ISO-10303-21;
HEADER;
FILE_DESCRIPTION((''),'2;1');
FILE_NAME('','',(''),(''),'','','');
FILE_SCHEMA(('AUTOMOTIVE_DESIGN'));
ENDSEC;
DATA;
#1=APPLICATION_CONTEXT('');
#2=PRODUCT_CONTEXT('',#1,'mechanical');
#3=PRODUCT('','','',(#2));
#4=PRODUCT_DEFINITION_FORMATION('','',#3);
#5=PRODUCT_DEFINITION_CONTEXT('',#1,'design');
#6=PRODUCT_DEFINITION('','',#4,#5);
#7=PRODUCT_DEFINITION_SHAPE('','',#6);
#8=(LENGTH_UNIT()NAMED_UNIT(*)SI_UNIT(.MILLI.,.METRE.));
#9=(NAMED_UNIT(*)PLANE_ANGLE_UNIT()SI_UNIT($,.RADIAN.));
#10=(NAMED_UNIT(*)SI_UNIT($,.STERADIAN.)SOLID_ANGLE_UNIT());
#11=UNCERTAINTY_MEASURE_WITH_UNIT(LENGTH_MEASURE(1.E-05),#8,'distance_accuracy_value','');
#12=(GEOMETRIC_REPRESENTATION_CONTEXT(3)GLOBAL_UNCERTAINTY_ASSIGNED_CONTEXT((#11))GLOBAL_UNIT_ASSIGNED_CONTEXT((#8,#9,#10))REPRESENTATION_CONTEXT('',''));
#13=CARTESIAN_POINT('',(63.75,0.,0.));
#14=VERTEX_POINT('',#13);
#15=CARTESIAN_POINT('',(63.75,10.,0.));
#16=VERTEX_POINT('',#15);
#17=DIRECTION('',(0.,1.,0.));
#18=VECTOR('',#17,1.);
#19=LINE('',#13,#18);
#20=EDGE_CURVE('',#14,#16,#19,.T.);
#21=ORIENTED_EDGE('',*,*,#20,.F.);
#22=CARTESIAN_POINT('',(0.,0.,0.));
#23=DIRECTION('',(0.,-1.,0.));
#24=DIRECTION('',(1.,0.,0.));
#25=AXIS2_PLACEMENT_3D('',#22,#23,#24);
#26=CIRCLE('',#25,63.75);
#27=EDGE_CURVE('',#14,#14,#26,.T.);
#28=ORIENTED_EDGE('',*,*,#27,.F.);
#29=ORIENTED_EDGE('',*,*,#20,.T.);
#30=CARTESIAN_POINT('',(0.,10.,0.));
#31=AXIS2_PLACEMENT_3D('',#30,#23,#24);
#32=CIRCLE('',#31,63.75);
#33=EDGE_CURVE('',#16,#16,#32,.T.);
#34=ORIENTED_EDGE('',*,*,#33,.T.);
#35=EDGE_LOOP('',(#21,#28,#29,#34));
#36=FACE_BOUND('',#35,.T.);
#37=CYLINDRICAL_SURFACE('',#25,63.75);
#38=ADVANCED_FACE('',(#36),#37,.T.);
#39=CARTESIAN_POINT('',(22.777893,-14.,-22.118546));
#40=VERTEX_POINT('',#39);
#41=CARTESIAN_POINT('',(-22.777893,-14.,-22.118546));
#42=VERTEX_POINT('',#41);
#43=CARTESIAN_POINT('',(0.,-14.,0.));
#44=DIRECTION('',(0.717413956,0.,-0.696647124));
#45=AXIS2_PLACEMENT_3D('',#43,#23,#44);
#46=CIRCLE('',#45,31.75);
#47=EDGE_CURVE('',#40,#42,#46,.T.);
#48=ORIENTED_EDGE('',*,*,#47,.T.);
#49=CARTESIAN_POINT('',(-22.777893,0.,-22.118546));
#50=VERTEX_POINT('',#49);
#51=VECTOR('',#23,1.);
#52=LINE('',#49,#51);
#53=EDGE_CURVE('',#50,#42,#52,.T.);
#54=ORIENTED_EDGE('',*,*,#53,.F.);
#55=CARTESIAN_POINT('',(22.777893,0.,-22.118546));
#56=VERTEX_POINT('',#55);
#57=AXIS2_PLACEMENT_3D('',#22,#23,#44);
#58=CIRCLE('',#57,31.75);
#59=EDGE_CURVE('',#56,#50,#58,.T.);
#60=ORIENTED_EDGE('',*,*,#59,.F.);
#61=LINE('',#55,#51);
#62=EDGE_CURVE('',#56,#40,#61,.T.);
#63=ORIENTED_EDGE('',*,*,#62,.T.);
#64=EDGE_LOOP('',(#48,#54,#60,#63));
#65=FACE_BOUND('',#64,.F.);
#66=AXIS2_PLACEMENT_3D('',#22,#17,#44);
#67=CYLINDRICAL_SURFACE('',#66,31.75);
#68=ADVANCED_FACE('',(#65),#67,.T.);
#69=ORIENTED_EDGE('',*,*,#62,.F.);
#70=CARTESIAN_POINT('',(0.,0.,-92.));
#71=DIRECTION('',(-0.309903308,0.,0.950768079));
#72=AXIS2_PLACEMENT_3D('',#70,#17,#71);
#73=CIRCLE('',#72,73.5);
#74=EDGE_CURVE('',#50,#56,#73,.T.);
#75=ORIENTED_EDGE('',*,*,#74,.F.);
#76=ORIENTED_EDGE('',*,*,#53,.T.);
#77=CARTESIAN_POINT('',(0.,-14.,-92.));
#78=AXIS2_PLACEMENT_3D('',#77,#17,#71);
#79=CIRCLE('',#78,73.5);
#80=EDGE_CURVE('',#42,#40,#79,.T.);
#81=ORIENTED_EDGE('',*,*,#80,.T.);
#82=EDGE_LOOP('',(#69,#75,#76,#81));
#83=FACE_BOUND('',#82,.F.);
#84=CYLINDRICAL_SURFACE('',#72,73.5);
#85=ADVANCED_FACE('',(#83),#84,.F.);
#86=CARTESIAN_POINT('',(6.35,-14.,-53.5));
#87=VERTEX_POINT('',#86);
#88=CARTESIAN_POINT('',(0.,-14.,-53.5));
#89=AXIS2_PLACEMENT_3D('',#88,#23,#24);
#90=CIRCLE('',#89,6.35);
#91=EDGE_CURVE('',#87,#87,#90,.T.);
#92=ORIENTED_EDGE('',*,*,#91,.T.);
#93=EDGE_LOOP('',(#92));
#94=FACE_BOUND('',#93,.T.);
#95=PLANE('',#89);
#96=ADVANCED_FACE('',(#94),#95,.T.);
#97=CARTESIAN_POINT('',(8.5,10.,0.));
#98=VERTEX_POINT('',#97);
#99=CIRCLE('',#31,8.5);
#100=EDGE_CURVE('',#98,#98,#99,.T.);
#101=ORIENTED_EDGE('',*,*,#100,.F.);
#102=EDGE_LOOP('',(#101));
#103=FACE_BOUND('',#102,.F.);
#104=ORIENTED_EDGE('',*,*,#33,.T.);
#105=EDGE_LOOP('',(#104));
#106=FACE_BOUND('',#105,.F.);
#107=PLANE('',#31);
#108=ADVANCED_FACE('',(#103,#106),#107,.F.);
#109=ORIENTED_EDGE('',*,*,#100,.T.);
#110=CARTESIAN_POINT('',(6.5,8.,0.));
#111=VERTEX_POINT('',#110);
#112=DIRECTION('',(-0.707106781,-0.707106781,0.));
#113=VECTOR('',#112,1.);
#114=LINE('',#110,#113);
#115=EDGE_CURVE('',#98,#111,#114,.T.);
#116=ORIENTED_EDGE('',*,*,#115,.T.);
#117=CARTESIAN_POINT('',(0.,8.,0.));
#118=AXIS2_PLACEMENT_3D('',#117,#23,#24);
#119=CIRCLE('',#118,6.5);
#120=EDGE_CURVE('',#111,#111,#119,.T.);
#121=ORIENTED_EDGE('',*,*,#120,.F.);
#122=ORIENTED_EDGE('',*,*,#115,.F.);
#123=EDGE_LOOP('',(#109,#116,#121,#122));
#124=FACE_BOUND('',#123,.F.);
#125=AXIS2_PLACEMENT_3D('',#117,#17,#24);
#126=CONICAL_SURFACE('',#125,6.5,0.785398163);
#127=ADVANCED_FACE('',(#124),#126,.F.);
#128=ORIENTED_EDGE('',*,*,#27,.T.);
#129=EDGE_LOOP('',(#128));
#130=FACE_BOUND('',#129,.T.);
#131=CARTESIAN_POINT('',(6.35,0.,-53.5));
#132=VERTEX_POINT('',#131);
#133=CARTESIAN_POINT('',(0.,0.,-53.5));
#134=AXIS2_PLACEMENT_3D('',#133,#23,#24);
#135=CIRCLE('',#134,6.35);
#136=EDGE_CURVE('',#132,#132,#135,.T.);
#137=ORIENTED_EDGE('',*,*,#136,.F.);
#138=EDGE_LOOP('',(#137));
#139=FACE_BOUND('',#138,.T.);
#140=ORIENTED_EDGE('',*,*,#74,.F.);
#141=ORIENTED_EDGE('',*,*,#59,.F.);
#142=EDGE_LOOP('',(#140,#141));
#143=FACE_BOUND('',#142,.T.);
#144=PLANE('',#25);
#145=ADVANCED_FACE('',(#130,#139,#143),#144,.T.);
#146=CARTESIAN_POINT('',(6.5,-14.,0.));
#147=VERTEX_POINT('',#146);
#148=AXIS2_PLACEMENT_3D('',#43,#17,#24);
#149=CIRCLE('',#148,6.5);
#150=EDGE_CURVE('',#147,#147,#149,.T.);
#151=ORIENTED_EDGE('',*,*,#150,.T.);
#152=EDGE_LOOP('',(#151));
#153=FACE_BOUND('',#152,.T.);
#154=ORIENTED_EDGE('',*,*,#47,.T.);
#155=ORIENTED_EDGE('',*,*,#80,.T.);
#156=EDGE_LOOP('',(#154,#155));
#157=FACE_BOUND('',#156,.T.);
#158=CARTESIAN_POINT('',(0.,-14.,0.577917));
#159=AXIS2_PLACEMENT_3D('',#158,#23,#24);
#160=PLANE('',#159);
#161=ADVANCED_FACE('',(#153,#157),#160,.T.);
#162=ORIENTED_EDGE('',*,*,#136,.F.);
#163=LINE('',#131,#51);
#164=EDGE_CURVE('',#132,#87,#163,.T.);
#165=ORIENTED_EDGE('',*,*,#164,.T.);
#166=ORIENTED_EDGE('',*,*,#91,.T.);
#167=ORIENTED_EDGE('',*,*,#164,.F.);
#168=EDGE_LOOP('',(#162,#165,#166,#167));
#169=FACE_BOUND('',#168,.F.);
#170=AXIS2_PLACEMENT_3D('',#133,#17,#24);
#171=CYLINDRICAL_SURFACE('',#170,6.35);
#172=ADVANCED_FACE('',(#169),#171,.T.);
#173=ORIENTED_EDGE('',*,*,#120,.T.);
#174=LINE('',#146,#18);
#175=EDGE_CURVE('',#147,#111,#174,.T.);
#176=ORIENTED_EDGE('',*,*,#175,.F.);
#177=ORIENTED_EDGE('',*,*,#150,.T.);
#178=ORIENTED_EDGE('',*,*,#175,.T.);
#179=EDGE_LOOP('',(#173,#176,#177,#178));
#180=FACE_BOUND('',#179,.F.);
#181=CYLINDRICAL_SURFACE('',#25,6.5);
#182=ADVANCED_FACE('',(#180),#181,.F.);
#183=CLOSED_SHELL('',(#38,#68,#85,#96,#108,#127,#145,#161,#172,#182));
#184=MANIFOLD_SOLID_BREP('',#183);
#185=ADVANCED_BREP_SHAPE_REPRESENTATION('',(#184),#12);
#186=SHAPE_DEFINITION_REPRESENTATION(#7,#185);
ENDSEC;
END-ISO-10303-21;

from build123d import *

# Parameters (mm, degrees)
F1_R          = 63.75
F2_DEPTH      = 10
F3_R          = 6.35
F4_DEPTH      = 14
F5_R          = 6.5
F6_DEPTH      = 10.001
F6_DEPTH_BACK = 14.001
F7_SIZE       = 2


with BuildPart() as f2:
    # F1 (on Front) → F2 (new body)
    with BuildSketch(Plane.XZ):
        Circle(F1_R)
    extrude(amount=-F2_DEPTH)

    # F3 (on Front) → F4 (join)
    with BuildSketch(Plane.XZ):
        with BuildLine():
            ThreePointArc((-22.7778931025, -22.1185461957), (0, -18.5), (22.7778931025, -22.1185461957))
            ThreePointArc((22.7778931025, -22.1185461957), (0, 31.75), (-22.7778931025, -22.1185461957))
        make_face()
        with Locations((0, -53.5)):
            Circle(F3_R)
    extrude(amount=F4_DEPTH)

    # F5 (on Front) → F6 (cut, two sides)
    with BuildSketch(Plane.XZ) as f6_sk:
        Circle(F5_R)
    extrude(amount=-F6_DEPTH, mode=Mode.SUBTRACT)
    extrude(f6_sk.sketch, amount=F6_DEPTH_BACK, mode=Mode.SUBTRACT)

    # F7
    f7_edges = [f2.edges().sort_by_distance(p)[0] for p in [
        (-6.5, 10, 0),
    ]]
    chamfer(f7_edges, length=F7_SIZE)


solid = f2.part
